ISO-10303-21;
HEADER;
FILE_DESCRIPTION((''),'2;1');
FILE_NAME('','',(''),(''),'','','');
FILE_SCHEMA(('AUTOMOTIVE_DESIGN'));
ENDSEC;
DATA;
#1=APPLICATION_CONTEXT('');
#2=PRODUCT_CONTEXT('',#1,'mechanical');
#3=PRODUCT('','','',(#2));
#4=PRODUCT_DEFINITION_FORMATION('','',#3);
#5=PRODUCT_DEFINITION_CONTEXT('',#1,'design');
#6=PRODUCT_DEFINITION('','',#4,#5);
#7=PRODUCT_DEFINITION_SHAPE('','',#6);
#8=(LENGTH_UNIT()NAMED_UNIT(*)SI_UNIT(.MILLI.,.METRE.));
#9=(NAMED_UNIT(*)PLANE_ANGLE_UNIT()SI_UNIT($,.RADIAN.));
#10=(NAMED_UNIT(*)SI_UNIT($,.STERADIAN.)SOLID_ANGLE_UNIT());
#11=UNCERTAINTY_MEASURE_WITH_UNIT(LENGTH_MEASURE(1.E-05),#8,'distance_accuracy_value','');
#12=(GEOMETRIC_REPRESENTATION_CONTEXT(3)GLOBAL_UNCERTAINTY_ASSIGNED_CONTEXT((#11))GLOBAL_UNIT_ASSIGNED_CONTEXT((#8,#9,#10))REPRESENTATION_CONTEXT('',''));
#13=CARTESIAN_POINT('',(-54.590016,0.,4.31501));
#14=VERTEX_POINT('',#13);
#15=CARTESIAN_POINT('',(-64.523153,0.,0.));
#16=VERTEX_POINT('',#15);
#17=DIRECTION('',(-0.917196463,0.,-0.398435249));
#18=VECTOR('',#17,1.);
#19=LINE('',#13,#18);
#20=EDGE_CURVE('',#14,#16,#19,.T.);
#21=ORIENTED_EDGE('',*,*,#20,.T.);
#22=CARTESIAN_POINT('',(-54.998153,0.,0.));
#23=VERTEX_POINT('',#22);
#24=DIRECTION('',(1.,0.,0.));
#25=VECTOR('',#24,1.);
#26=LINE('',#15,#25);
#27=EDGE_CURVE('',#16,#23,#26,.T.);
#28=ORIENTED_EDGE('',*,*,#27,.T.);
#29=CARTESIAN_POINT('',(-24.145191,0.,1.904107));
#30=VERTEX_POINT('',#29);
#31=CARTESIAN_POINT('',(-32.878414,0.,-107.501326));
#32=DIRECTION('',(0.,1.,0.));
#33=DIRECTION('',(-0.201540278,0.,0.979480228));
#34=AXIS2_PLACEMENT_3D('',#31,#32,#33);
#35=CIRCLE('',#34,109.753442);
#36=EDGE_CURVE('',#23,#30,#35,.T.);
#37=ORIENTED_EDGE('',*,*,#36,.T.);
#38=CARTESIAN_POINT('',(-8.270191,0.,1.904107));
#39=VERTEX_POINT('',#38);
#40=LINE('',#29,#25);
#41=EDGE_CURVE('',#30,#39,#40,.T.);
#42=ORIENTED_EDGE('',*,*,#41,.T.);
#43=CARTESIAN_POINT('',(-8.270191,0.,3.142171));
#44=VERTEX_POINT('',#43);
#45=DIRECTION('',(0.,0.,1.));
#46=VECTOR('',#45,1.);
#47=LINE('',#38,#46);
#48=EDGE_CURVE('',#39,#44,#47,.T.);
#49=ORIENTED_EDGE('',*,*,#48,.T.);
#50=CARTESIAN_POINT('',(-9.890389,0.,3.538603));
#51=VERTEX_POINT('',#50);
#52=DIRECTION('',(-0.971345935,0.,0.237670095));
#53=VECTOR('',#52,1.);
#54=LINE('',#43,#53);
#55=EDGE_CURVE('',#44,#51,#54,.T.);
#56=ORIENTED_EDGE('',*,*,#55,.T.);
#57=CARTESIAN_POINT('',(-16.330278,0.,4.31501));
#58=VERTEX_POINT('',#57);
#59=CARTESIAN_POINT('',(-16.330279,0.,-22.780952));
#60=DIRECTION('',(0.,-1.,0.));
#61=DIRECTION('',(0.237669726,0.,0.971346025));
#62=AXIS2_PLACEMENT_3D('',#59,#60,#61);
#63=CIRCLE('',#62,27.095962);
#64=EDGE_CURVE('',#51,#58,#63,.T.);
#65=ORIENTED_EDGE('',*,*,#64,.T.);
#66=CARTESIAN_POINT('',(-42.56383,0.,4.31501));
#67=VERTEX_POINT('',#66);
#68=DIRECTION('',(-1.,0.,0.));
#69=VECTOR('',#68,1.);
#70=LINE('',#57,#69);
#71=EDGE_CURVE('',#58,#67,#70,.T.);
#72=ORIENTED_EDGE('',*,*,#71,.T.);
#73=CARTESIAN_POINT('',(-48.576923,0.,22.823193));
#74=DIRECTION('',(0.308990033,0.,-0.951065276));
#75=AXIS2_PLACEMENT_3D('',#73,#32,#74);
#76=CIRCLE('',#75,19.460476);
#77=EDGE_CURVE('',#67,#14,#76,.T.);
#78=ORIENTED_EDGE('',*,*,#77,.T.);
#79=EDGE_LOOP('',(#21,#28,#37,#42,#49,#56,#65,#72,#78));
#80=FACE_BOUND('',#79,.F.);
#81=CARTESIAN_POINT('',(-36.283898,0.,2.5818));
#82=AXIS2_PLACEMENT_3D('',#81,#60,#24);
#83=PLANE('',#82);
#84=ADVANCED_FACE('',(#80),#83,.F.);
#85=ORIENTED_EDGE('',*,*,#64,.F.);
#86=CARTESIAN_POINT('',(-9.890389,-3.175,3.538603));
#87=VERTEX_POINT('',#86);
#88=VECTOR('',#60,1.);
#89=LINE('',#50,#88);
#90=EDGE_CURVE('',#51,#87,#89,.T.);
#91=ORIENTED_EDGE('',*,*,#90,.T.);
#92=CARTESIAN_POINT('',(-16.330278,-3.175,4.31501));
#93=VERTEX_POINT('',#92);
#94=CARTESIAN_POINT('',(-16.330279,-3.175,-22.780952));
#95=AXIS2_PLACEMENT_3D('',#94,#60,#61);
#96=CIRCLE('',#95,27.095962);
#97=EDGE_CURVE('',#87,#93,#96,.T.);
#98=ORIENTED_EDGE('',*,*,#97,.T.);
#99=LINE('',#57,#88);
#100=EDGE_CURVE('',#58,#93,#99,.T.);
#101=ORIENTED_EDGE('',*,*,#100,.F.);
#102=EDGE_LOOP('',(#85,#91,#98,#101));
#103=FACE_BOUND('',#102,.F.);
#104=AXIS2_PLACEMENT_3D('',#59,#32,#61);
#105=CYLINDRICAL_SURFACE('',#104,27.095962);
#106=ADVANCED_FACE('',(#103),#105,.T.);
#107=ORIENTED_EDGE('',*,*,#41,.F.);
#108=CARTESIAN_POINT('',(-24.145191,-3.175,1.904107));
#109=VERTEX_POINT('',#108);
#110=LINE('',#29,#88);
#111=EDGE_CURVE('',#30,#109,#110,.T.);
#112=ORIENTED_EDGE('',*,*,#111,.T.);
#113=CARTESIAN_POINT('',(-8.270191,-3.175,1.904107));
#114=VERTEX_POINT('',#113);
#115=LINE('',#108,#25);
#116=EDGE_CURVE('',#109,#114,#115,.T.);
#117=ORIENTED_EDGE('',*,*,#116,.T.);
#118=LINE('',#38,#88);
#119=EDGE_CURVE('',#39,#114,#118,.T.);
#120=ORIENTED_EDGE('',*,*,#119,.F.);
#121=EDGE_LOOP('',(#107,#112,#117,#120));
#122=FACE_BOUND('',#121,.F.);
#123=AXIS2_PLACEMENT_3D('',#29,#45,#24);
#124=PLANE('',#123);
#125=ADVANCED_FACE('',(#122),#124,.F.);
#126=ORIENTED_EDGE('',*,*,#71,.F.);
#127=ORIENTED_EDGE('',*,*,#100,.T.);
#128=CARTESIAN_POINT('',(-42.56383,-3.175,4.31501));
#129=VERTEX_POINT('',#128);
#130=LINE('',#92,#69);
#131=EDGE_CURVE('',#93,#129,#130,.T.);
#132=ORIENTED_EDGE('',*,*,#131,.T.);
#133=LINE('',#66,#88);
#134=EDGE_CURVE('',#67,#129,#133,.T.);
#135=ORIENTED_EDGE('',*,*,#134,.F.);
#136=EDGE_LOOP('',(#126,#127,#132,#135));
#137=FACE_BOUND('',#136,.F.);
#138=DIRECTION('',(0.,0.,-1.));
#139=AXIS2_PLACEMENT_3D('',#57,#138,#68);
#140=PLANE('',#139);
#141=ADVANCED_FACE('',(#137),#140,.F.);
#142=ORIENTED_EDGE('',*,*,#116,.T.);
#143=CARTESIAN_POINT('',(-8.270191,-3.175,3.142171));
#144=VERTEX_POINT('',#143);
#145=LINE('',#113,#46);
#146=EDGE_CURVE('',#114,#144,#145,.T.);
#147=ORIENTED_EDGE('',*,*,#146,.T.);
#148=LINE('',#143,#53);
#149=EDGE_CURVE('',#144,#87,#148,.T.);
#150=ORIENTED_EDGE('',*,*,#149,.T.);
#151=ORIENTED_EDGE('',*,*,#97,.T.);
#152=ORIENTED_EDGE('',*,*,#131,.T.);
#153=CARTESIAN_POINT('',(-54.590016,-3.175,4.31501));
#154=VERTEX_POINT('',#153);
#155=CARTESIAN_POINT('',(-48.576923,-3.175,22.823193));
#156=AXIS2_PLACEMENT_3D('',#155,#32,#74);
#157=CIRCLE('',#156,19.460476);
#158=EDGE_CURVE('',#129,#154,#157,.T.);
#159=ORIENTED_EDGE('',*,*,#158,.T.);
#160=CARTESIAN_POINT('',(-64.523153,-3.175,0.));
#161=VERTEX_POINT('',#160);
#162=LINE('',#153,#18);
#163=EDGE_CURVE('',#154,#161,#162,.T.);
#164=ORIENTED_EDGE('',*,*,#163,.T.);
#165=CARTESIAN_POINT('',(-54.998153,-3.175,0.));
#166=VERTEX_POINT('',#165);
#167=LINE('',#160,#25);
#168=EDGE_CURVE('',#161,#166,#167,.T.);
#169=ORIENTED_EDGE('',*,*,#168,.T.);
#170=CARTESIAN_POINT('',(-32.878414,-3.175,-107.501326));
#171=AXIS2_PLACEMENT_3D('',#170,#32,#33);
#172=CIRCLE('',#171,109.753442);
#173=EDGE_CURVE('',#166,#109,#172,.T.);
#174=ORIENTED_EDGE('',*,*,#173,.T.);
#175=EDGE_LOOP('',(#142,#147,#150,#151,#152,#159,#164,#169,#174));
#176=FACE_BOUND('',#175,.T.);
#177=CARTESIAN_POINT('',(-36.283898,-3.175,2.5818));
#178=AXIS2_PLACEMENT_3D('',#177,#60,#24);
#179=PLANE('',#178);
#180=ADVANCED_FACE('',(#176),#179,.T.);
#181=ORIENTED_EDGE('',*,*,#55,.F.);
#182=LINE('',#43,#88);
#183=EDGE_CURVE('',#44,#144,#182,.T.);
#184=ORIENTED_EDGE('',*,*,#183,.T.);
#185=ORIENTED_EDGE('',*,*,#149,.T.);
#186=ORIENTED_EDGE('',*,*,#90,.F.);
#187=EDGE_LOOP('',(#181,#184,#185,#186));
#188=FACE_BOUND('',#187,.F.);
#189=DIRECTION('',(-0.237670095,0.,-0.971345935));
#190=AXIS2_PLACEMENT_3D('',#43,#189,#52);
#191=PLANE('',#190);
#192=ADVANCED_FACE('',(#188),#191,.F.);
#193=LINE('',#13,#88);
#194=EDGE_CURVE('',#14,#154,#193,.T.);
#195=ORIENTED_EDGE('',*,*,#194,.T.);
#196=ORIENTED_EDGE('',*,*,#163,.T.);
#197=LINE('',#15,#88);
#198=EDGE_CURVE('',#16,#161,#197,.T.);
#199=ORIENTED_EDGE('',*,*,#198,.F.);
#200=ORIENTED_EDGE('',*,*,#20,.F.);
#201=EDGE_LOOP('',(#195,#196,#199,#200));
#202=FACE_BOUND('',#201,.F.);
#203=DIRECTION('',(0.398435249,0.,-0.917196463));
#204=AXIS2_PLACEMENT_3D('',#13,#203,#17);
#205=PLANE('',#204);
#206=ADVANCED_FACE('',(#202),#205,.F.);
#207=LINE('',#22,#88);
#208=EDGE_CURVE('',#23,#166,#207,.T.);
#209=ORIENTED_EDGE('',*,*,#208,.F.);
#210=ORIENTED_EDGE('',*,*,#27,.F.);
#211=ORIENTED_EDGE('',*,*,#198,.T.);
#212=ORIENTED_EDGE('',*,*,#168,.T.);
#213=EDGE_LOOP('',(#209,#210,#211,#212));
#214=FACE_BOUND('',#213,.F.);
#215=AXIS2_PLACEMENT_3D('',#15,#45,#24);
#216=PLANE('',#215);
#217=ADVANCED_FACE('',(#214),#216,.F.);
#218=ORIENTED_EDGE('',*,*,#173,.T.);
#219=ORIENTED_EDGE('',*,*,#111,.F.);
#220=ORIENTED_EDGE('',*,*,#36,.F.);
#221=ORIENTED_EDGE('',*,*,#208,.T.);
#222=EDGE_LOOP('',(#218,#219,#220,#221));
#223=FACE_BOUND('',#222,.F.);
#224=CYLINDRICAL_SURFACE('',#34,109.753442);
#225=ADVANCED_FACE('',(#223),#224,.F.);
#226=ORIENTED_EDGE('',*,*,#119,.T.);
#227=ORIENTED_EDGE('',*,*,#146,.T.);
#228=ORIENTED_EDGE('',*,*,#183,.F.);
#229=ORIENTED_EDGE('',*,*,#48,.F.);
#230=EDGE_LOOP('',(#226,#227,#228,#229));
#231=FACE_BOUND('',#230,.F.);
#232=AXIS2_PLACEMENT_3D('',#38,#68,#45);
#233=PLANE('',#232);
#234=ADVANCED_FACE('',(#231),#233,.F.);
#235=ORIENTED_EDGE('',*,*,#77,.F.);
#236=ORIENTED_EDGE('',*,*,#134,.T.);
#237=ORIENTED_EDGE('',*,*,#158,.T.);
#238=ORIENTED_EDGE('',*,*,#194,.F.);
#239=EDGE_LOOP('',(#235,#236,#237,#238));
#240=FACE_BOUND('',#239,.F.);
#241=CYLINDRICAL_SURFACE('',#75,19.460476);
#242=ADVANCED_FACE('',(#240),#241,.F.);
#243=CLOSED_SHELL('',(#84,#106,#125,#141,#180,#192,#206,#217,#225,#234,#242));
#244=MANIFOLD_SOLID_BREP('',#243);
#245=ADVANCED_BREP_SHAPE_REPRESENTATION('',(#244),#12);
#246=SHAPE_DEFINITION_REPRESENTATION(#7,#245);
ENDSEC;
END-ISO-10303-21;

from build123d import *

# Parameters (mm, degrees)
F1_DEPTH = 3.175


with BuildPart() as f1:
    # F0 (on Front) → F1 (new body)
    with BuildSketch(Plane.XZ):
        with BuildLine():
            Line((-54.590016, 4.31501), (-64.523153, 0))
            Line((-64.523153, 0), (-54.998153, 0))
            ThreePointArc((-54.998153, 0), (-39.639043, 2.043696), (-24.145191, 1.904107))
            Line((-24.145191, 1.904107), (-8.270191, 1.904107))
            Line((-8.270191, 1.904107), (-8.270191, 3.142171))
            Line((-8.270191, 3.142171), (-9.890389, 3.538603))
            ThreePointArc((-9.890389, 3.538603), (-13.087017, 4.120208), (-16.330278, 4.31501))
            Line((-16.330278, 4.31501), (-42.56383, 4.31501))
            ThreePointArc((-42.56383, 4.31501), (-48.576923, 3.362717), (-54.590016, 4.31501))
        make_face()
    extrude(amount=F1_DEPTH)


solid = f1.part
